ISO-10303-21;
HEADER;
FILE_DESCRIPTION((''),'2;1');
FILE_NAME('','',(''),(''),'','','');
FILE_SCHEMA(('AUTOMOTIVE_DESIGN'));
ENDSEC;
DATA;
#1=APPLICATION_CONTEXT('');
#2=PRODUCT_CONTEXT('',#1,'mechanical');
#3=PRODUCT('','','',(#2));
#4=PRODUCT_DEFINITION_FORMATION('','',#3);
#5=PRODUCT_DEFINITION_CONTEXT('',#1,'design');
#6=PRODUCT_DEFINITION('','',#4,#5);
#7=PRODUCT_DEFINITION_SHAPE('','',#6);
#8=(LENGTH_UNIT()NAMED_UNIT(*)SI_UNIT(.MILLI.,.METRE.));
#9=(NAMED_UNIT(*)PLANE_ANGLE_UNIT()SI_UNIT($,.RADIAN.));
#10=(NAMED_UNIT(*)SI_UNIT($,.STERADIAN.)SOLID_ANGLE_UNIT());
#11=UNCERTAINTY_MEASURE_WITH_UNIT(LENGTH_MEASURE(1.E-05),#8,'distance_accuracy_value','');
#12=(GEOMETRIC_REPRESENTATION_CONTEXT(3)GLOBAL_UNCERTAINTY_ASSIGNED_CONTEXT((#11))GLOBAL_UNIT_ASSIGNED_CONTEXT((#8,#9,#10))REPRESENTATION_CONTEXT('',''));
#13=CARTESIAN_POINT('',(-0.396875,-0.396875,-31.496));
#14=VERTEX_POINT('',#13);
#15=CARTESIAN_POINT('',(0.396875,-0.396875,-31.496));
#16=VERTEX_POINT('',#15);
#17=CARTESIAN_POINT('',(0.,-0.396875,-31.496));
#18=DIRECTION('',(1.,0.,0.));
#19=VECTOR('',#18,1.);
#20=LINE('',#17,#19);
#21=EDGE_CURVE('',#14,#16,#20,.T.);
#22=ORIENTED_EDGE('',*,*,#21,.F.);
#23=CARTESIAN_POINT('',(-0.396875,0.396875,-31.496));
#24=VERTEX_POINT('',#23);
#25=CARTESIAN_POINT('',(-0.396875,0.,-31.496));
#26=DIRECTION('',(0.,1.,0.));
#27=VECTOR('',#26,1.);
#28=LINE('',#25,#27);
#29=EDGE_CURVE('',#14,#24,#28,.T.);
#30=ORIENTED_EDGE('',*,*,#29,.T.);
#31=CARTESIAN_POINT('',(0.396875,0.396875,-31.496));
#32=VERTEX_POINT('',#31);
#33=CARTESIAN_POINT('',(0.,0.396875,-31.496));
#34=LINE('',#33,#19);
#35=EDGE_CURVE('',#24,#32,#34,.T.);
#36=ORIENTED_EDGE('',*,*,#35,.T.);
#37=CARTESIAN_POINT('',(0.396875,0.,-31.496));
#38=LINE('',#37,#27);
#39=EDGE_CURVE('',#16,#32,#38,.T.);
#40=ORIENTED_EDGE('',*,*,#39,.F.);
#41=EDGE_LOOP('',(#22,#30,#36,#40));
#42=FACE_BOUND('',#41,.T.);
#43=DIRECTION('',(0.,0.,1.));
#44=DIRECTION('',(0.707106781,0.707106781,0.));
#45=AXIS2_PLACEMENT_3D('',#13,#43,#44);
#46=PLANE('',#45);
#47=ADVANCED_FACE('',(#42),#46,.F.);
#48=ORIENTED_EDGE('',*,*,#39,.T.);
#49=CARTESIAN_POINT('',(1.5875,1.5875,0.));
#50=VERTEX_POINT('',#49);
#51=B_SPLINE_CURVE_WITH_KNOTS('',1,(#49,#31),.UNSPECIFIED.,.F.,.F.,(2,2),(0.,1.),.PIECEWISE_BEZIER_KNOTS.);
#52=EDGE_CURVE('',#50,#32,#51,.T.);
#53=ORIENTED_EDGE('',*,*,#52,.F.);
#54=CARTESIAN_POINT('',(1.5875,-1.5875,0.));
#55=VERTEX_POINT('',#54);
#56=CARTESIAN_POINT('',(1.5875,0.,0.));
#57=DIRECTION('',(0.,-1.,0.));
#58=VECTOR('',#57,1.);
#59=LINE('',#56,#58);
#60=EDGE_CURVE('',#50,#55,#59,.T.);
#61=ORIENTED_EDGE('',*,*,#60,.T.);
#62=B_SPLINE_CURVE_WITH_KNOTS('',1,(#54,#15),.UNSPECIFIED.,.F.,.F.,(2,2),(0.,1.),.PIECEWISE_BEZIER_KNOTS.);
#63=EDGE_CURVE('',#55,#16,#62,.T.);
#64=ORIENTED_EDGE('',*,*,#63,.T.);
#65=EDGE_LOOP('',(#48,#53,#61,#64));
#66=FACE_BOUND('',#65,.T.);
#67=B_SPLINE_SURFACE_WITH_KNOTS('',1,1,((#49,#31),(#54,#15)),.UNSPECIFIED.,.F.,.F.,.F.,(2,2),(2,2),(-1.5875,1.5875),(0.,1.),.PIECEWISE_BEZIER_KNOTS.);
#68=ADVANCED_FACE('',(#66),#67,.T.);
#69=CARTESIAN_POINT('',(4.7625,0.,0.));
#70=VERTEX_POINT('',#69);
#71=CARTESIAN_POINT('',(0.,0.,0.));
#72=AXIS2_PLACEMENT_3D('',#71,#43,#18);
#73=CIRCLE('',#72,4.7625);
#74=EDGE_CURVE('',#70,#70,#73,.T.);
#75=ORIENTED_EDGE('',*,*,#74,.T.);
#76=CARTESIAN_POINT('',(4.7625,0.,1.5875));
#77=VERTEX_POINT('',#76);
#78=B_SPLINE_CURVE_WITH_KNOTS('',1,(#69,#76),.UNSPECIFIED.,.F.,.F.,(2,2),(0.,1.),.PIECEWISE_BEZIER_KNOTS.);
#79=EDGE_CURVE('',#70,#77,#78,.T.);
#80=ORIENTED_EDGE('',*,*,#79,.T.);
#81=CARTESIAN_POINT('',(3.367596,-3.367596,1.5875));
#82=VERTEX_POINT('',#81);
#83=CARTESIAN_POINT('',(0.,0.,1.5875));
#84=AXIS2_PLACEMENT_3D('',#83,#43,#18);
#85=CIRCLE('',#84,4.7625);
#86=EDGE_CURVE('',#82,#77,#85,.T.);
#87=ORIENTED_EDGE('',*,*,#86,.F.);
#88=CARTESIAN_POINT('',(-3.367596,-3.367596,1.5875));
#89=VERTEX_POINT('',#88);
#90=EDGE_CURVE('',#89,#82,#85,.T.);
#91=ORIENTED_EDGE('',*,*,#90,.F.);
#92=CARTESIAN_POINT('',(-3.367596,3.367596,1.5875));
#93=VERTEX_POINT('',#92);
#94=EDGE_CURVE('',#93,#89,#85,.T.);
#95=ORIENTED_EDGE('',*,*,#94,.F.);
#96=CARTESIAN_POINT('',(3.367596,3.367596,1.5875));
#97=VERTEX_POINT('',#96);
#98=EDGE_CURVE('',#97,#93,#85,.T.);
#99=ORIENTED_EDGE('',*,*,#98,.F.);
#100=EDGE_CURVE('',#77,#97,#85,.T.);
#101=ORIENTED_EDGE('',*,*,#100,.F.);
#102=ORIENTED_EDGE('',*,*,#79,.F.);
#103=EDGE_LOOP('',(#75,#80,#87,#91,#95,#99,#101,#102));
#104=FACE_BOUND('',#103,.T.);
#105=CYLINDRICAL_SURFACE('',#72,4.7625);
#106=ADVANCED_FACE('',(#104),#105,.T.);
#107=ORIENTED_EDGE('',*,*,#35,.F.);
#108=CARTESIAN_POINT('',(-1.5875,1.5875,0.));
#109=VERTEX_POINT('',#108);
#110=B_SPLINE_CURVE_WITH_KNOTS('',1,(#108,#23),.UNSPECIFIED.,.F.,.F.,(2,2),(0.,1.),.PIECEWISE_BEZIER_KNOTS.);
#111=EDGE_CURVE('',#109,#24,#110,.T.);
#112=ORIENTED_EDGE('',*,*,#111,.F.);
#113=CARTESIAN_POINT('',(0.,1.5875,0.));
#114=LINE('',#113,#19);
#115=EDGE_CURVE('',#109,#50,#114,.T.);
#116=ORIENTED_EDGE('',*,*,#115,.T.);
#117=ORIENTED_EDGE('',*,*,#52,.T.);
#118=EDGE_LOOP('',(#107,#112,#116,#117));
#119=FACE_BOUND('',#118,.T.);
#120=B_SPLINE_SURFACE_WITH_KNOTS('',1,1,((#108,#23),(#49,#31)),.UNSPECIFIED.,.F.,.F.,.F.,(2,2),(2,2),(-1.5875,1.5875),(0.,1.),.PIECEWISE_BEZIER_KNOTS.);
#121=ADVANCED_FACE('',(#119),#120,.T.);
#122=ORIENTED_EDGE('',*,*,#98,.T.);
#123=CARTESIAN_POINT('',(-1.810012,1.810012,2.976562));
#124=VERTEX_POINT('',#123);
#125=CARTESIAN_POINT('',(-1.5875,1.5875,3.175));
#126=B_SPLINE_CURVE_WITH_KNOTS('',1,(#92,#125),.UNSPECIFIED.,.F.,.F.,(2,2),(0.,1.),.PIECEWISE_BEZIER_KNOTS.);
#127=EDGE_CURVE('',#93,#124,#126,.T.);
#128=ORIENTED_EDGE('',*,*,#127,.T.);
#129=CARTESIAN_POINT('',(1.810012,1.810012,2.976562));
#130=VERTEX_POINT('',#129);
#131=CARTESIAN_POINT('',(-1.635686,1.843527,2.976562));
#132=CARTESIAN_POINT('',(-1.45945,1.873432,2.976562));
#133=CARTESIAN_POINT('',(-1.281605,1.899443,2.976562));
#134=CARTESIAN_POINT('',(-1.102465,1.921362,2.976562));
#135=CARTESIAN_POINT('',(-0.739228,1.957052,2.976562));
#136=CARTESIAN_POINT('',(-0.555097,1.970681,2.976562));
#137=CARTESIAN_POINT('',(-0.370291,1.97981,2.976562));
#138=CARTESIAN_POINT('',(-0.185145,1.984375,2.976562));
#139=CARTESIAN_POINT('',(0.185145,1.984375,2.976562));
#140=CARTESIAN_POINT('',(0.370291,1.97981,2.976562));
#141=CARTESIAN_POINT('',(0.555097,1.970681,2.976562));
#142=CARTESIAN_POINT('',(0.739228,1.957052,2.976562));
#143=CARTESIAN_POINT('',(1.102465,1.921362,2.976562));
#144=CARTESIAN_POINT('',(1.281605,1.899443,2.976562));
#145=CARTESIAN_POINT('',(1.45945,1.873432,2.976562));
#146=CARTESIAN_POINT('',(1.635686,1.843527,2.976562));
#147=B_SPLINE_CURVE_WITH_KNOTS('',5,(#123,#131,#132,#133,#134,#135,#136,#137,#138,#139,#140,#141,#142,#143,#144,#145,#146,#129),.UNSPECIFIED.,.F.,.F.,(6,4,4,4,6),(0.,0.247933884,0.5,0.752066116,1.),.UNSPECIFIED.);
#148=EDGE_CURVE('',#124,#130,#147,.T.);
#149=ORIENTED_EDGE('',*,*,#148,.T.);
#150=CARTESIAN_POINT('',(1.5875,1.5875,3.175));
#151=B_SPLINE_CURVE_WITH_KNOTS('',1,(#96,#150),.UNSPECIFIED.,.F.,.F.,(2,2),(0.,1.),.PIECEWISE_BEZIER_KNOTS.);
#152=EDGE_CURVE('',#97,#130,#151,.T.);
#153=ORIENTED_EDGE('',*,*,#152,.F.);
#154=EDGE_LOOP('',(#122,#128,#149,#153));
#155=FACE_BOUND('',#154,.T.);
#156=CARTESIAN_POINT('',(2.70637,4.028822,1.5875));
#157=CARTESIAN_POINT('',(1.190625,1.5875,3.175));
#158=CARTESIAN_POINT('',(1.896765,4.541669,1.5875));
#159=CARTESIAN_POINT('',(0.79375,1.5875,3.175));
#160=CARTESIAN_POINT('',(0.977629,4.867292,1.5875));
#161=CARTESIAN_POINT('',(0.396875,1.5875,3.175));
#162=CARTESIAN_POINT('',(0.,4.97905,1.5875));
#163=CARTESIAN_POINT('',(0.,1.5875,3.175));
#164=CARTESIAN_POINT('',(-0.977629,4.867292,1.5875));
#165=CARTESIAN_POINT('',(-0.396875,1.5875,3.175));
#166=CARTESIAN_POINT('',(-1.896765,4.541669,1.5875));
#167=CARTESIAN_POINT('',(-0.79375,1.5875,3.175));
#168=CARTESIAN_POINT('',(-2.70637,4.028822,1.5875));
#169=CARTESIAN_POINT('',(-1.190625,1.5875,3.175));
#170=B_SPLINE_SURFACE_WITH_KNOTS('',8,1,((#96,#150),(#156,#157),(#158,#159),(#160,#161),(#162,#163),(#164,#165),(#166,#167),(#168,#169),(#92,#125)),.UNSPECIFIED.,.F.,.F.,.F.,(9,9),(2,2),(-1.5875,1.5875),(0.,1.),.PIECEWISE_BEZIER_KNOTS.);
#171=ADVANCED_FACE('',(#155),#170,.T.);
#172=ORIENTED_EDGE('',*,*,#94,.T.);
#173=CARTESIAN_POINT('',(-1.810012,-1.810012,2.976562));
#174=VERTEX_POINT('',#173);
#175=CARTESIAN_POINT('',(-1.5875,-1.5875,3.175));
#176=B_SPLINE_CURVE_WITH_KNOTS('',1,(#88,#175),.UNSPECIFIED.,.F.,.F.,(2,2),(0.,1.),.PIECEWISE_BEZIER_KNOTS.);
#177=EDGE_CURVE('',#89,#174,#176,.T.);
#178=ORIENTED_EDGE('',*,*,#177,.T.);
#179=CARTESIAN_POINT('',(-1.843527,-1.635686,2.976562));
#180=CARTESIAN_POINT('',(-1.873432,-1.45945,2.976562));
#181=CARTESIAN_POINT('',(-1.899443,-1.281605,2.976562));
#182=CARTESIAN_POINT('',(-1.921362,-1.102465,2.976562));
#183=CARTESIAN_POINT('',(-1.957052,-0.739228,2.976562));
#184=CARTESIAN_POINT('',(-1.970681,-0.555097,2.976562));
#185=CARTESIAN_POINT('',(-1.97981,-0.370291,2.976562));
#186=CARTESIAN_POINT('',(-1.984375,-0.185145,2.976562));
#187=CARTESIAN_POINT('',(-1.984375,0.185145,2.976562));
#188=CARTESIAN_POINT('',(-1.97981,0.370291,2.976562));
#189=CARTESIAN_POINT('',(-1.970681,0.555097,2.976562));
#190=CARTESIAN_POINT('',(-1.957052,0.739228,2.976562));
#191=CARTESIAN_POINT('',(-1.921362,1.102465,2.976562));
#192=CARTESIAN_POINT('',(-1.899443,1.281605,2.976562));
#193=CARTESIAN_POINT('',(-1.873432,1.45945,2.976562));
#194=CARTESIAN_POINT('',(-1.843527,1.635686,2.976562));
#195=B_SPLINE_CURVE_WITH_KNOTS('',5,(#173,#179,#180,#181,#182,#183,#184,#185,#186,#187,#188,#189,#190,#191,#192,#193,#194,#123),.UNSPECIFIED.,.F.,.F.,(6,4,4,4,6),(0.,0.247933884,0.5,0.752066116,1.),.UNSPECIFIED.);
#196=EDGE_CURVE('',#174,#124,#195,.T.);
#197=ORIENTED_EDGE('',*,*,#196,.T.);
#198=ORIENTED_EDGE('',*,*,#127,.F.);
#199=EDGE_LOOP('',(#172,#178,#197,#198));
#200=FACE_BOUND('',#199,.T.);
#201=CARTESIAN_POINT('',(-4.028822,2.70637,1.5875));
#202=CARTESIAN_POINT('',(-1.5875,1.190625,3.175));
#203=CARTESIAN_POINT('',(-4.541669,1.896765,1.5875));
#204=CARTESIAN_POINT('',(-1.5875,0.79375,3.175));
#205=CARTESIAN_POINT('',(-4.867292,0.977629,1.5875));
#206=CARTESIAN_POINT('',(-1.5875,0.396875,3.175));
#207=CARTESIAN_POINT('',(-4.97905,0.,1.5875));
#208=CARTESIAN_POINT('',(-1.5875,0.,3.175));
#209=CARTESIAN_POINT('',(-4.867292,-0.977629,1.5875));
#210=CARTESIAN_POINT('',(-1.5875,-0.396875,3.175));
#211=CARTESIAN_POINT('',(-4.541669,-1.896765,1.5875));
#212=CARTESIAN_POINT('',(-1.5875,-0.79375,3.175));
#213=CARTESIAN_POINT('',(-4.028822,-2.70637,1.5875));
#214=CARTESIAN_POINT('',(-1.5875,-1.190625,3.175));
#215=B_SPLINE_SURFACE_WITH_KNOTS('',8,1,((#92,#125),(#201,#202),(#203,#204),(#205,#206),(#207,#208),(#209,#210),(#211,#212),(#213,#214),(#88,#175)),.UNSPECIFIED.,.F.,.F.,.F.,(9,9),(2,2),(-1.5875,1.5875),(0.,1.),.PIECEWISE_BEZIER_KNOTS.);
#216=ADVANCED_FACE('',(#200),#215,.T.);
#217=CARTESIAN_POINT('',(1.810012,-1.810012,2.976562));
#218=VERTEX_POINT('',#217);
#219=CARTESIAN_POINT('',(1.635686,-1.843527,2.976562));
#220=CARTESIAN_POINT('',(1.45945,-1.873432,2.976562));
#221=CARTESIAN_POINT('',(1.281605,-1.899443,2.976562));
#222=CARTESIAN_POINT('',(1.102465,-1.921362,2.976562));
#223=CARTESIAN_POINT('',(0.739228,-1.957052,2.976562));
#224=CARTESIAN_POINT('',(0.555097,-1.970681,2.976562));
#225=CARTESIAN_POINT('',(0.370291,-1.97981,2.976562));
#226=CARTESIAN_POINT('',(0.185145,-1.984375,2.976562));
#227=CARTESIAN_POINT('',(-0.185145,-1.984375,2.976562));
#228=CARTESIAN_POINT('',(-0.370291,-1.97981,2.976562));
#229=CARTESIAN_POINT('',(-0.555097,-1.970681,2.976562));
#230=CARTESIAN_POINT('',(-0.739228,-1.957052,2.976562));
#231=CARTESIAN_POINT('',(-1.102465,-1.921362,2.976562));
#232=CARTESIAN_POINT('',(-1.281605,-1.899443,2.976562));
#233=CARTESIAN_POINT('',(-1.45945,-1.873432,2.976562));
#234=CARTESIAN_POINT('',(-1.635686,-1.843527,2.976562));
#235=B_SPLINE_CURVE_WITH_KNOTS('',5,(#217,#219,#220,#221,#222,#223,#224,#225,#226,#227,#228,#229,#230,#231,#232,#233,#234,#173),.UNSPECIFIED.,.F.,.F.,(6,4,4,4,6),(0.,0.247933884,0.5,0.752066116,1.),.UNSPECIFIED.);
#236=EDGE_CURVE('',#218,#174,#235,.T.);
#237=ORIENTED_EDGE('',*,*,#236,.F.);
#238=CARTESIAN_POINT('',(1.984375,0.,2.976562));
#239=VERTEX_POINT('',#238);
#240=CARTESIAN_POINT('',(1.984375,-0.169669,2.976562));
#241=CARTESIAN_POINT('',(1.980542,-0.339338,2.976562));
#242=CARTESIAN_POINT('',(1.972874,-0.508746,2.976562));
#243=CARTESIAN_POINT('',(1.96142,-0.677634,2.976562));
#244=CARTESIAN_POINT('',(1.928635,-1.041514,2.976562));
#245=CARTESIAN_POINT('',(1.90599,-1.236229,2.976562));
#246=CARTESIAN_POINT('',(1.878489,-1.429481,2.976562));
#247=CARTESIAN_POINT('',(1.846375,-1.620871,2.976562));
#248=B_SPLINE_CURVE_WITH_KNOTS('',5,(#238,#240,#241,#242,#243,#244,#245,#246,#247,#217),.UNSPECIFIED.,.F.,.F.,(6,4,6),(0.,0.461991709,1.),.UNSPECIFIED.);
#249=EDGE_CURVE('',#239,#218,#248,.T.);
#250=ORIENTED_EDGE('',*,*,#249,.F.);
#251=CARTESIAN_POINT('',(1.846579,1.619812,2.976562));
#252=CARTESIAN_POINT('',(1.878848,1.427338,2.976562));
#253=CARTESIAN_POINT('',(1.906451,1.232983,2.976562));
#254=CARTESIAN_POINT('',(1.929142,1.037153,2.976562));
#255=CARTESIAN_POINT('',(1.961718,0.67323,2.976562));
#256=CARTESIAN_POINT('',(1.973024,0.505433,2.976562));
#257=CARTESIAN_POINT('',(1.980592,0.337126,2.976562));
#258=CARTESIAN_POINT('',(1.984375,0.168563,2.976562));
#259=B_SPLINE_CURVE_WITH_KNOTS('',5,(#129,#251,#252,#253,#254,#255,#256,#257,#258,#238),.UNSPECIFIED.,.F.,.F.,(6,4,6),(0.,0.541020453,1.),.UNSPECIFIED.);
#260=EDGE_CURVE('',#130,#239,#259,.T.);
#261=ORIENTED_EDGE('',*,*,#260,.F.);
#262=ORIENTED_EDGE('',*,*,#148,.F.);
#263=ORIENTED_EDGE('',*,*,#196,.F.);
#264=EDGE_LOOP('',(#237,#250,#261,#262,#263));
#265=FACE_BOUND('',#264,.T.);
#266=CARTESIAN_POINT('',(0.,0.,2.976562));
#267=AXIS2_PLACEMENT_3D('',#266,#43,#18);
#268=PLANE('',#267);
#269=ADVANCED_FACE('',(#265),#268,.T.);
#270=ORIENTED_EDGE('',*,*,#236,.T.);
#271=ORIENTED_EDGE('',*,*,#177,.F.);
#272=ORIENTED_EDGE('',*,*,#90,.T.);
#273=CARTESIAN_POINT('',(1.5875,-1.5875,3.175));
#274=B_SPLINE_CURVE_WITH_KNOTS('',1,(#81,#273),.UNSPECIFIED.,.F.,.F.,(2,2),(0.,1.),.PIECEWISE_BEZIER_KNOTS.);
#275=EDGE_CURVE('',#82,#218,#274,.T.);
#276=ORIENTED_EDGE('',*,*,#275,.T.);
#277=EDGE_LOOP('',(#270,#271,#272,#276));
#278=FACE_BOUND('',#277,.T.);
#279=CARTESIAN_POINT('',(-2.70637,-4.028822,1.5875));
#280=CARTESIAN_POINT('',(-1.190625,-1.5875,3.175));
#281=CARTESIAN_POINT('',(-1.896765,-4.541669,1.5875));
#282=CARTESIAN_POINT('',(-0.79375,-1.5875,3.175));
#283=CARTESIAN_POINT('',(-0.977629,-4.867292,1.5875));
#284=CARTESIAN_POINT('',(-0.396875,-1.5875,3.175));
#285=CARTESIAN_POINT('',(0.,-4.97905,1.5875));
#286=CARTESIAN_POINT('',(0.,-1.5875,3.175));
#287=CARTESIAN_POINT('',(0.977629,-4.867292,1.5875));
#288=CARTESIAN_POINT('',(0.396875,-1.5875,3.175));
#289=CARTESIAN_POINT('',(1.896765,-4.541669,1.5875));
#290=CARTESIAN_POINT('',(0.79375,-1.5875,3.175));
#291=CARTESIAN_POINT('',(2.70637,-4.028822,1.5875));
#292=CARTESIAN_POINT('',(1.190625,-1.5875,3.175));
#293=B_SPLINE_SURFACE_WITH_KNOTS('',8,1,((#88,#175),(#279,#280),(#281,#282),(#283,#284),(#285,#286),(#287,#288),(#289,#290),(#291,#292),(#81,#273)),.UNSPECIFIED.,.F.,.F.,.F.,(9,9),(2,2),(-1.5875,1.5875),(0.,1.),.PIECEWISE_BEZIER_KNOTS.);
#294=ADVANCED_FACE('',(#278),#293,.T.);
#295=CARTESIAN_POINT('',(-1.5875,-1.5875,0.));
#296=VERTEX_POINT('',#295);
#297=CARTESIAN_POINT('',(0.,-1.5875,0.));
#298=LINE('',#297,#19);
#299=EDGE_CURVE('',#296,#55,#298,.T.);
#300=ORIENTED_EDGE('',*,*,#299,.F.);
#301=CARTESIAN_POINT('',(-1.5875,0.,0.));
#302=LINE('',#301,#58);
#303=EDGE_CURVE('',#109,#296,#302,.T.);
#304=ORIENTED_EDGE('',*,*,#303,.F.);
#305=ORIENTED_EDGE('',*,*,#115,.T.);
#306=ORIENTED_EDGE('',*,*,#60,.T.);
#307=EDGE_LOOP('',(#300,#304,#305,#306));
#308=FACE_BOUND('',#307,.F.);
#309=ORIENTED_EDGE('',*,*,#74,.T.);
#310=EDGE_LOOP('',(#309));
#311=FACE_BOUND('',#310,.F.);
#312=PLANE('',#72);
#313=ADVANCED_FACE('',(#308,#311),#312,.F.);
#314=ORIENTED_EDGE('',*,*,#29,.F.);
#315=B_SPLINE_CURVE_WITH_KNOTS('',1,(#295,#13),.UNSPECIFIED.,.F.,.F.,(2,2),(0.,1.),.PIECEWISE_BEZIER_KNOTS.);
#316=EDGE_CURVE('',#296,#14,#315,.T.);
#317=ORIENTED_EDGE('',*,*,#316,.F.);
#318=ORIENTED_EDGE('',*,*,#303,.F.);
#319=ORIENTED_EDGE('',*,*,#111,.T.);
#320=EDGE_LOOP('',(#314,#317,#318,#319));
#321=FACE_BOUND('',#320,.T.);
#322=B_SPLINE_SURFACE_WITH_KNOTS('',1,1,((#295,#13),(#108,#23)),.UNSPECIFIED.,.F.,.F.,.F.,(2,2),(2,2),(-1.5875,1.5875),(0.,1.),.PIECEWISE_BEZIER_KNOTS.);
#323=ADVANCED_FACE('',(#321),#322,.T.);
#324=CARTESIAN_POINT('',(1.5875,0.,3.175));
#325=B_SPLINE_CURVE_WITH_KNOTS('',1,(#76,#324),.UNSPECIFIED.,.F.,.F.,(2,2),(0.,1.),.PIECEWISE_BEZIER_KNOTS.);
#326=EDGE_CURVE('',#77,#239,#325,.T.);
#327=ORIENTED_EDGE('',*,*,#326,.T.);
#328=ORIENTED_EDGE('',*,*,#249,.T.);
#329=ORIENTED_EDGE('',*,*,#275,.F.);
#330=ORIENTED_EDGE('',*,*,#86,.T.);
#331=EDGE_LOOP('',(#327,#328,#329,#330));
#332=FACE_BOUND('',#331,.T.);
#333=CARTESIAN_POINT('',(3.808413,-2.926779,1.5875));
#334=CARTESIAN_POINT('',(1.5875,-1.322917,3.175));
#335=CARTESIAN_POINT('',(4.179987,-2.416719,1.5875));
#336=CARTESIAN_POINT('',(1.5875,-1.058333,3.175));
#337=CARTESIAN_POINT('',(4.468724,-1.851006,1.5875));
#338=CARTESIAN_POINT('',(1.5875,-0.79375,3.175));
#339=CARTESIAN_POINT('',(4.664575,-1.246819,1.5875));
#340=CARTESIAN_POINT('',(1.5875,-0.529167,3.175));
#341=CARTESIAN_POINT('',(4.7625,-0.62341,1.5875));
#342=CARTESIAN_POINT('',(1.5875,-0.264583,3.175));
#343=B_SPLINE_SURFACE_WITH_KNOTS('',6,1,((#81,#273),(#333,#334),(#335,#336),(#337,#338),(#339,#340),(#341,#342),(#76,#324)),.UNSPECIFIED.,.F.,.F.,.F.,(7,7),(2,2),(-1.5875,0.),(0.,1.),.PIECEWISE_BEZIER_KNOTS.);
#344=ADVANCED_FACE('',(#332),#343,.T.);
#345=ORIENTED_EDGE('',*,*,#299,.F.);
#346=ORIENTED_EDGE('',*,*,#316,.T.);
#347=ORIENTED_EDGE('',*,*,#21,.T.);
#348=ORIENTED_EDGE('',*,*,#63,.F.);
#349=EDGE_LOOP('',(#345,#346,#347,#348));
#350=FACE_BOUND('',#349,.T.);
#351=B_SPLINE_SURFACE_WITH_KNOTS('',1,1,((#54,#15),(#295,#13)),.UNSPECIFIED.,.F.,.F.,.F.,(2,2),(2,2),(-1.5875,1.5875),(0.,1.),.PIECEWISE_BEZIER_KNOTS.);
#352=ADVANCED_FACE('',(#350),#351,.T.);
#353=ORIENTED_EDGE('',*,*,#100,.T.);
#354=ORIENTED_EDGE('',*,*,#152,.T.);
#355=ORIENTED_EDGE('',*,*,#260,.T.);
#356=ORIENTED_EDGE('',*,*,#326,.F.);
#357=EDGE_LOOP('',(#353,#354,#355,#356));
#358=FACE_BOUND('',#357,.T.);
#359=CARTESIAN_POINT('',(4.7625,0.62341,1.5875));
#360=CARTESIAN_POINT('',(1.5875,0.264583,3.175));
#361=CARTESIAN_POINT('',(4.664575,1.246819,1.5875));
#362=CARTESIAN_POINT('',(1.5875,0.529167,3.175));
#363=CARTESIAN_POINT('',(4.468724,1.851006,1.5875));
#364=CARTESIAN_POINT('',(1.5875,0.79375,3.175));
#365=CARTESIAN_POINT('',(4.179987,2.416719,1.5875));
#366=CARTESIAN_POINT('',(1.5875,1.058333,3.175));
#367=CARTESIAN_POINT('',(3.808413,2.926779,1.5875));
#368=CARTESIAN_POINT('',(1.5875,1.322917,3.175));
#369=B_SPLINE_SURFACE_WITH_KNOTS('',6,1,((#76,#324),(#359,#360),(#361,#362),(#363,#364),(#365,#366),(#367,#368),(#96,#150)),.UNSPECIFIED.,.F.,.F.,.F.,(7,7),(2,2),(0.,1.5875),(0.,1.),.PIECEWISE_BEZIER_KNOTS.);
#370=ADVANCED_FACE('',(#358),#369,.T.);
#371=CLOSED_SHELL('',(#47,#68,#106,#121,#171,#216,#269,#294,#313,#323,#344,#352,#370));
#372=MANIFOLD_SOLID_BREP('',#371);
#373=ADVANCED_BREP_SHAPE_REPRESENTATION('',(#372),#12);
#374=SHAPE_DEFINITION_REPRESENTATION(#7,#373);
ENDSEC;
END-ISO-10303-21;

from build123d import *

# Parameters (mm, degrees)
F0_R      = 4.7625
F2_R      = 4.7625
F5_FACE_R = 4.7625
F4_W      = 3.175
F4_H      = 3.175
F9_W      = 3.175
F9_H      = 3.175
F8_W      = 0.79375
F8_H      = 0.79375
F11_R     = 2.6419390303
F12_DEPTH = 0.1984375


with BuildPart() as f5:
    # F0 (on Top) → F5 section 0
    with BuildSketch(Plane.XY):
        Circle(F0_R)
    # F2 (on offset) → F5 section 1
    with BuildSketch(Plane.XY.offset(1.5875)):
        Circle(F2_R)
    loft()

    # F5_face (on face) → F6 section 0
    with BuildSketch(Plane.XY.offset(1.5875)):
        Circle(F5_FACE_R)
    # F4 (on offset) → F6 section 1
    with BuildSketch(Plane.XY.offset(3.175)):
        Rectangle(F4_W, F4_H)
    loft()

    # F9 (on face) → F10 section 0
    with BuildSketch(Plane(origin=(0, 0, 0), x_dir=(1, 0, 0), z_dir=(0, 0, -1))):
        Rectangle(F9_W, F9_H)
    # F8 (on offset) → F10 section 1
    with BuildSketch(Plane.XY.offset(-31.496)):
        Rectangle(F8_W, F8_H)
    loft()

    # F11 (on offset) → F12 (cut)
    with BuildSketch(Plane.XY.offset(3.175)):
        Circle(F11_R)
    extrude(amount=-F12_DEPTH, mode=Mode.SUBTRACT)


solid = f5.part
